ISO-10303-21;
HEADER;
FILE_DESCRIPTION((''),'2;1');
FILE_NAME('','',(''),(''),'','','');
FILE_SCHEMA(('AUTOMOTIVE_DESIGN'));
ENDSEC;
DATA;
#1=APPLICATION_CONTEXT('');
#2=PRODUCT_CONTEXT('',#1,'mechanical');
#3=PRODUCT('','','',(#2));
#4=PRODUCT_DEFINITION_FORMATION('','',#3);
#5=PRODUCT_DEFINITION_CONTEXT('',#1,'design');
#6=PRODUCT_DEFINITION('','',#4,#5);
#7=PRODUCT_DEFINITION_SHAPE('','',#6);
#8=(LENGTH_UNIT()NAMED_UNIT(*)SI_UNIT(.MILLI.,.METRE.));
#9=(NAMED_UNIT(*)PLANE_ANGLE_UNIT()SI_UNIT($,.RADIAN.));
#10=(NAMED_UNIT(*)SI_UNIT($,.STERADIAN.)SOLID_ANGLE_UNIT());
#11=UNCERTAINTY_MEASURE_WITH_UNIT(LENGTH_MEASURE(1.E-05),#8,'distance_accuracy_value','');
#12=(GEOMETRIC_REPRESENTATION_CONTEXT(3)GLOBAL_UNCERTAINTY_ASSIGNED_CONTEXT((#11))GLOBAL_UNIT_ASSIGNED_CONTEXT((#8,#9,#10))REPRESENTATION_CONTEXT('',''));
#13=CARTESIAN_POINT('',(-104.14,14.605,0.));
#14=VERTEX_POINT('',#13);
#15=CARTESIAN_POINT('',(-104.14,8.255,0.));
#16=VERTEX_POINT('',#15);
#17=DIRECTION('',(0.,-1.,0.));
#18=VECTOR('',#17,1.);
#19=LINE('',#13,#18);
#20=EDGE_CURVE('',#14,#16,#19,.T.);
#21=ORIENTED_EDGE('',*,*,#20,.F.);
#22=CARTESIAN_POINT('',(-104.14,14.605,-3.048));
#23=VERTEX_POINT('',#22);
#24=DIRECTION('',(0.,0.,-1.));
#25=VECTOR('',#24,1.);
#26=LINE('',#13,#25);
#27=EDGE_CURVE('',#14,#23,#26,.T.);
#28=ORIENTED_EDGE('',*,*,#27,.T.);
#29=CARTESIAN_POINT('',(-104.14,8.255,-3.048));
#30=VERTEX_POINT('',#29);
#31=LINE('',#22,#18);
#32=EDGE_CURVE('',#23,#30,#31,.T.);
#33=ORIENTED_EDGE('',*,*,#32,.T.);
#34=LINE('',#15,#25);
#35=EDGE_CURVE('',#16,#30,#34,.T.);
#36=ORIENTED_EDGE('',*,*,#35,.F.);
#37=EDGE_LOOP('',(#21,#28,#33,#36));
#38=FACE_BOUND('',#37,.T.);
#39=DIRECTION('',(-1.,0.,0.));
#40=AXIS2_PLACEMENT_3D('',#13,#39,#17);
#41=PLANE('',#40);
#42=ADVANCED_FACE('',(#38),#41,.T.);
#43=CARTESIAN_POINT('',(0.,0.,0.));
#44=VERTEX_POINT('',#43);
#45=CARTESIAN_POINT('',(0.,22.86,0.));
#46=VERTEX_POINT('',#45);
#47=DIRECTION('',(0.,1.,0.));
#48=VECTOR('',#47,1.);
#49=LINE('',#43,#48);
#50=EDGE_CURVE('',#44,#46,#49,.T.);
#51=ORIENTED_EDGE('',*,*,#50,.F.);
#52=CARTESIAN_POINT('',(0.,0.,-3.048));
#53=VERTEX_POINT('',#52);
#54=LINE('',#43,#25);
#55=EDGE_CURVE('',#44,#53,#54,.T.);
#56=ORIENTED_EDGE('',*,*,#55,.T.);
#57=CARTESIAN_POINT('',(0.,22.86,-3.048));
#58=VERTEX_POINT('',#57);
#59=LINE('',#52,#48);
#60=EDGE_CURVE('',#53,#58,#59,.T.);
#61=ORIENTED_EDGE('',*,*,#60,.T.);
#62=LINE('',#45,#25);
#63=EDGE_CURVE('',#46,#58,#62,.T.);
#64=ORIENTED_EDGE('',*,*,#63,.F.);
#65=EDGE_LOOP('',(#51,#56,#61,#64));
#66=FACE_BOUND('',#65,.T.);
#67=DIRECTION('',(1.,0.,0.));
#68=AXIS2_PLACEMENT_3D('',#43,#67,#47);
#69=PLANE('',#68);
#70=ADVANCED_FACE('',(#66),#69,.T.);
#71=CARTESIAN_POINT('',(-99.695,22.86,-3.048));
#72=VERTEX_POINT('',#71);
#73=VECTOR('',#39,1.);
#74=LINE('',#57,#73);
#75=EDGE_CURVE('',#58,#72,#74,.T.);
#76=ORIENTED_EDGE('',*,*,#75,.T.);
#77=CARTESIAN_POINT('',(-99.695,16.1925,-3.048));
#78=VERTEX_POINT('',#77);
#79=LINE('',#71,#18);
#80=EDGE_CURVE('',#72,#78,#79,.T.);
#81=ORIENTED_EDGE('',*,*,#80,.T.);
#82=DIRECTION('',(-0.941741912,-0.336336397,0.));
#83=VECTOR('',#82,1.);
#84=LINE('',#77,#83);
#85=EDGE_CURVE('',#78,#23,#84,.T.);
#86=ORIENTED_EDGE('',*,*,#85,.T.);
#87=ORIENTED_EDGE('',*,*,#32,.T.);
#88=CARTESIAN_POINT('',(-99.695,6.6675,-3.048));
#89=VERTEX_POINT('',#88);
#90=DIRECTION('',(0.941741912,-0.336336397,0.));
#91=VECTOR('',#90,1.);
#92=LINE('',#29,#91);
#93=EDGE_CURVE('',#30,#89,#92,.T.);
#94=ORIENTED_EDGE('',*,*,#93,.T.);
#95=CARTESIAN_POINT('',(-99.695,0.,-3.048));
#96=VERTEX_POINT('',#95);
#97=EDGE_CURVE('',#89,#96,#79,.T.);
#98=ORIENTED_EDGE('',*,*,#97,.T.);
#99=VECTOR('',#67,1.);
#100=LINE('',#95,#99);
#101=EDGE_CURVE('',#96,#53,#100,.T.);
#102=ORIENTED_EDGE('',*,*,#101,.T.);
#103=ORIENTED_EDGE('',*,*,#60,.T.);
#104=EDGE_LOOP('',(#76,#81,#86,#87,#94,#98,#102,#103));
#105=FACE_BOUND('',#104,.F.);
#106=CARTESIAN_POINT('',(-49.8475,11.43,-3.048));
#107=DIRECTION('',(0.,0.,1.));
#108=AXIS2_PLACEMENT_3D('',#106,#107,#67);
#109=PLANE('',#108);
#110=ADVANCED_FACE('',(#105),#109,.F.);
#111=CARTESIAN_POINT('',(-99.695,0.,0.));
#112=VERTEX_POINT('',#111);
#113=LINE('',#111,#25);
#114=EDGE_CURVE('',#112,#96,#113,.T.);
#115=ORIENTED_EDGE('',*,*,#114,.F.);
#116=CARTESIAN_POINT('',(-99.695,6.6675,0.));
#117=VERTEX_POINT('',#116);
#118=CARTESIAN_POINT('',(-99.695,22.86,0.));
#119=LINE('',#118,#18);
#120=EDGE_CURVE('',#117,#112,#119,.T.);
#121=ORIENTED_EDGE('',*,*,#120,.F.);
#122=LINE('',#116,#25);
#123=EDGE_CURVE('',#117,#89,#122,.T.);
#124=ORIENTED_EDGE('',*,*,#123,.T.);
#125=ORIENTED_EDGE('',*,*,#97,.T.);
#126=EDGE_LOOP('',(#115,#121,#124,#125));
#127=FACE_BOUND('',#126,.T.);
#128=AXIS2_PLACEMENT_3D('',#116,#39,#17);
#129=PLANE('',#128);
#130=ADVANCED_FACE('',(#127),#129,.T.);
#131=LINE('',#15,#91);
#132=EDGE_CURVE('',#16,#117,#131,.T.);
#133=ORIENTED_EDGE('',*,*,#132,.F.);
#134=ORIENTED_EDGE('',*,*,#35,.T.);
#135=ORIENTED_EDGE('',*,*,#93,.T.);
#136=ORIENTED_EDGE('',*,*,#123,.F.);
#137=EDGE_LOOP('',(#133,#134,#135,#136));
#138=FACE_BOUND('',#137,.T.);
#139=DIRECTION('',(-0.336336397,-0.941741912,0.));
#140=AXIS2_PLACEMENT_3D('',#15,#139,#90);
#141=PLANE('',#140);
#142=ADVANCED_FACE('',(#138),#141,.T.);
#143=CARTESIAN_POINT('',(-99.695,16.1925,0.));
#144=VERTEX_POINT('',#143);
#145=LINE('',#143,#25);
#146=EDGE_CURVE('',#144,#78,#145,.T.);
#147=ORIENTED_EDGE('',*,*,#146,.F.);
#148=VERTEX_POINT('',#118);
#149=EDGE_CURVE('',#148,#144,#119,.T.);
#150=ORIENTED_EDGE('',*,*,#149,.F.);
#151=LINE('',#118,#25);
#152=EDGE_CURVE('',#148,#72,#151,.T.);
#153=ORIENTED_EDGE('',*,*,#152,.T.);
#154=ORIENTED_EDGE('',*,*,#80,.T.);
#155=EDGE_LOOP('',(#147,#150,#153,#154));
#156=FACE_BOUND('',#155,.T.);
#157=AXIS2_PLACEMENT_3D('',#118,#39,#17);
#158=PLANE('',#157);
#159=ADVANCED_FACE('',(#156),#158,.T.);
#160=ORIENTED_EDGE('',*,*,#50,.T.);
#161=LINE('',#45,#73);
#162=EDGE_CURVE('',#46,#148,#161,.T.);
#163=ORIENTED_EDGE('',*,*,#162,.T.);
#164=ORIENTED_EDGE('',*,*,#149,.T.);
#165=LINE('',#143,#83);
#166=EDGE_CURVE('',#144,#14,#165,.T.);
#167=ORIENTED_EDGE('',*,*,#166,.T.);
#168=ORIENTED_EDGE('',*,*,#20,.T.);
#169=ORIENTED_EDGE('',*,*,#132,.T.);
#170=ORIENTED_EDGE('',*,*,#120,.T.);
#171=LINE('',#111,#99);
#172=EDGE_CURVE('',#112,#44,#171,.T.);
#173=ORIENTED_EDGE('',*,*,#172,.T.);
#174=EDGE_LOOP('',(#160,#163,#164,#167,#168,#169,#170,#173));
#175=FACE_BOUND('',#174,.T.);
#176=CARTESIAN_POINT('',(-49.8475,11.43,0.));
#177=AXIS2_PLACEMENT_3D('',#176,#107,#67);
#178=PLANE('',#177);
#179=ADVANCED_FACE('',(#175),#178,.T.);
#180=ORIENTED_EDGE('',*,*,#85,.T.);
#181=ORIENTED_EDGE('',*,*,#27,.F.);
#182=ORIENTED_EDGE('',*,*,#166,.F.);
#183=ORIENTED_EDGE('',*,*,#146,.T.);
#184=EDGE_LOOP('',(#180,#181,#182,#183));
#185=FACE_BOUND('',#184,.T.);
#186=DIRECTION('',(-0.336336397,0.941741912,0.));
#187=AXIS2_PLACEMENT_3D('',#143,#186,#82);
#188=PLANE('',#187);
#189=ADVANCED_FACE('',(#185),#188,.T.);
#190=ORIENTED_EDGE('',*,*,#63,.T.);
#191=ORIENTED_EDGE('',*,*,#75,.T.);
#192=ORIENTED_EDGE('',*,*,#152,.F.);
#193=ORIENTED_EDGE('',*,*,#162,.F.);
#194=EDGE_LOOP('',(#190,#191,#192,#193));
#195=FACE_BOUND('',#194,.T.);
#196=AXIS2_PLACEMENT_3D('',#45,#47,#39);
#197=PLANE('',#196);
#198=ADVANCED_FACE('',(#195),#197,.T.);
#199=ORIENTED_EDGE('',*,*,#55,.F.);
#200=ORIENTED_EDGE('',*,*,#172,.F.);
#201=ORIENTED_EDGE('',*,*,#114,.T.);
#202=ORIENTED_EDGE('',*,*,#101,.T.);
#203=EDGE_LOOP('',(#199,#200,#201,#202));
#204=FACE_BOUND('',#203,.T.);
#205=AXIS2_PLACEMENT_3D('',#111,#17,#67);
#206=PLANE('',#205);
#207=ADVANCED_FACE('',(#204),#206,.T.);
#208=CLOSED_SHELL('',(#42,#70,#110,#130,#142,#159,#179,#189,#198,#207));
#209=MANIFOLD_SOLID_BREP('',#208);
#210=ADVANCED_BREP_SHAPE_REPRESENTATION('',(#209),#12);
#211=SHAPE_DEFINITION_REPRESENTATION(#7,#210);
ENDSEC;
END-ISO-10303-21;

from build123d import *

# Parameters (mm, degrees)
F1_DEPTH = 3.048


with BuildPart() as f1:
    # F0 (on Top) → F1 (new body)
    with BuildSketch(Plane.XY):
        Polygon((-99.695, 0), (0, 0), (0, 22.86), (-99.695, 22.86), (-99.695, 16.1925), (-99.695, 11.43), (-99.695, 6.6675), align=None)
        Polygon((-104.14, 8.255), (-99.695, 6.6675), (-99.695, 11.43), (-104.14, 11.43), align=None)
        Polygon((-104.14, 11.43), (-99.695, 11.43), (-99.695, 16.1925), (-104.14, 14.605), align=None)
    extrude(amount=-F1_DEPTH)


solid = f1.part
